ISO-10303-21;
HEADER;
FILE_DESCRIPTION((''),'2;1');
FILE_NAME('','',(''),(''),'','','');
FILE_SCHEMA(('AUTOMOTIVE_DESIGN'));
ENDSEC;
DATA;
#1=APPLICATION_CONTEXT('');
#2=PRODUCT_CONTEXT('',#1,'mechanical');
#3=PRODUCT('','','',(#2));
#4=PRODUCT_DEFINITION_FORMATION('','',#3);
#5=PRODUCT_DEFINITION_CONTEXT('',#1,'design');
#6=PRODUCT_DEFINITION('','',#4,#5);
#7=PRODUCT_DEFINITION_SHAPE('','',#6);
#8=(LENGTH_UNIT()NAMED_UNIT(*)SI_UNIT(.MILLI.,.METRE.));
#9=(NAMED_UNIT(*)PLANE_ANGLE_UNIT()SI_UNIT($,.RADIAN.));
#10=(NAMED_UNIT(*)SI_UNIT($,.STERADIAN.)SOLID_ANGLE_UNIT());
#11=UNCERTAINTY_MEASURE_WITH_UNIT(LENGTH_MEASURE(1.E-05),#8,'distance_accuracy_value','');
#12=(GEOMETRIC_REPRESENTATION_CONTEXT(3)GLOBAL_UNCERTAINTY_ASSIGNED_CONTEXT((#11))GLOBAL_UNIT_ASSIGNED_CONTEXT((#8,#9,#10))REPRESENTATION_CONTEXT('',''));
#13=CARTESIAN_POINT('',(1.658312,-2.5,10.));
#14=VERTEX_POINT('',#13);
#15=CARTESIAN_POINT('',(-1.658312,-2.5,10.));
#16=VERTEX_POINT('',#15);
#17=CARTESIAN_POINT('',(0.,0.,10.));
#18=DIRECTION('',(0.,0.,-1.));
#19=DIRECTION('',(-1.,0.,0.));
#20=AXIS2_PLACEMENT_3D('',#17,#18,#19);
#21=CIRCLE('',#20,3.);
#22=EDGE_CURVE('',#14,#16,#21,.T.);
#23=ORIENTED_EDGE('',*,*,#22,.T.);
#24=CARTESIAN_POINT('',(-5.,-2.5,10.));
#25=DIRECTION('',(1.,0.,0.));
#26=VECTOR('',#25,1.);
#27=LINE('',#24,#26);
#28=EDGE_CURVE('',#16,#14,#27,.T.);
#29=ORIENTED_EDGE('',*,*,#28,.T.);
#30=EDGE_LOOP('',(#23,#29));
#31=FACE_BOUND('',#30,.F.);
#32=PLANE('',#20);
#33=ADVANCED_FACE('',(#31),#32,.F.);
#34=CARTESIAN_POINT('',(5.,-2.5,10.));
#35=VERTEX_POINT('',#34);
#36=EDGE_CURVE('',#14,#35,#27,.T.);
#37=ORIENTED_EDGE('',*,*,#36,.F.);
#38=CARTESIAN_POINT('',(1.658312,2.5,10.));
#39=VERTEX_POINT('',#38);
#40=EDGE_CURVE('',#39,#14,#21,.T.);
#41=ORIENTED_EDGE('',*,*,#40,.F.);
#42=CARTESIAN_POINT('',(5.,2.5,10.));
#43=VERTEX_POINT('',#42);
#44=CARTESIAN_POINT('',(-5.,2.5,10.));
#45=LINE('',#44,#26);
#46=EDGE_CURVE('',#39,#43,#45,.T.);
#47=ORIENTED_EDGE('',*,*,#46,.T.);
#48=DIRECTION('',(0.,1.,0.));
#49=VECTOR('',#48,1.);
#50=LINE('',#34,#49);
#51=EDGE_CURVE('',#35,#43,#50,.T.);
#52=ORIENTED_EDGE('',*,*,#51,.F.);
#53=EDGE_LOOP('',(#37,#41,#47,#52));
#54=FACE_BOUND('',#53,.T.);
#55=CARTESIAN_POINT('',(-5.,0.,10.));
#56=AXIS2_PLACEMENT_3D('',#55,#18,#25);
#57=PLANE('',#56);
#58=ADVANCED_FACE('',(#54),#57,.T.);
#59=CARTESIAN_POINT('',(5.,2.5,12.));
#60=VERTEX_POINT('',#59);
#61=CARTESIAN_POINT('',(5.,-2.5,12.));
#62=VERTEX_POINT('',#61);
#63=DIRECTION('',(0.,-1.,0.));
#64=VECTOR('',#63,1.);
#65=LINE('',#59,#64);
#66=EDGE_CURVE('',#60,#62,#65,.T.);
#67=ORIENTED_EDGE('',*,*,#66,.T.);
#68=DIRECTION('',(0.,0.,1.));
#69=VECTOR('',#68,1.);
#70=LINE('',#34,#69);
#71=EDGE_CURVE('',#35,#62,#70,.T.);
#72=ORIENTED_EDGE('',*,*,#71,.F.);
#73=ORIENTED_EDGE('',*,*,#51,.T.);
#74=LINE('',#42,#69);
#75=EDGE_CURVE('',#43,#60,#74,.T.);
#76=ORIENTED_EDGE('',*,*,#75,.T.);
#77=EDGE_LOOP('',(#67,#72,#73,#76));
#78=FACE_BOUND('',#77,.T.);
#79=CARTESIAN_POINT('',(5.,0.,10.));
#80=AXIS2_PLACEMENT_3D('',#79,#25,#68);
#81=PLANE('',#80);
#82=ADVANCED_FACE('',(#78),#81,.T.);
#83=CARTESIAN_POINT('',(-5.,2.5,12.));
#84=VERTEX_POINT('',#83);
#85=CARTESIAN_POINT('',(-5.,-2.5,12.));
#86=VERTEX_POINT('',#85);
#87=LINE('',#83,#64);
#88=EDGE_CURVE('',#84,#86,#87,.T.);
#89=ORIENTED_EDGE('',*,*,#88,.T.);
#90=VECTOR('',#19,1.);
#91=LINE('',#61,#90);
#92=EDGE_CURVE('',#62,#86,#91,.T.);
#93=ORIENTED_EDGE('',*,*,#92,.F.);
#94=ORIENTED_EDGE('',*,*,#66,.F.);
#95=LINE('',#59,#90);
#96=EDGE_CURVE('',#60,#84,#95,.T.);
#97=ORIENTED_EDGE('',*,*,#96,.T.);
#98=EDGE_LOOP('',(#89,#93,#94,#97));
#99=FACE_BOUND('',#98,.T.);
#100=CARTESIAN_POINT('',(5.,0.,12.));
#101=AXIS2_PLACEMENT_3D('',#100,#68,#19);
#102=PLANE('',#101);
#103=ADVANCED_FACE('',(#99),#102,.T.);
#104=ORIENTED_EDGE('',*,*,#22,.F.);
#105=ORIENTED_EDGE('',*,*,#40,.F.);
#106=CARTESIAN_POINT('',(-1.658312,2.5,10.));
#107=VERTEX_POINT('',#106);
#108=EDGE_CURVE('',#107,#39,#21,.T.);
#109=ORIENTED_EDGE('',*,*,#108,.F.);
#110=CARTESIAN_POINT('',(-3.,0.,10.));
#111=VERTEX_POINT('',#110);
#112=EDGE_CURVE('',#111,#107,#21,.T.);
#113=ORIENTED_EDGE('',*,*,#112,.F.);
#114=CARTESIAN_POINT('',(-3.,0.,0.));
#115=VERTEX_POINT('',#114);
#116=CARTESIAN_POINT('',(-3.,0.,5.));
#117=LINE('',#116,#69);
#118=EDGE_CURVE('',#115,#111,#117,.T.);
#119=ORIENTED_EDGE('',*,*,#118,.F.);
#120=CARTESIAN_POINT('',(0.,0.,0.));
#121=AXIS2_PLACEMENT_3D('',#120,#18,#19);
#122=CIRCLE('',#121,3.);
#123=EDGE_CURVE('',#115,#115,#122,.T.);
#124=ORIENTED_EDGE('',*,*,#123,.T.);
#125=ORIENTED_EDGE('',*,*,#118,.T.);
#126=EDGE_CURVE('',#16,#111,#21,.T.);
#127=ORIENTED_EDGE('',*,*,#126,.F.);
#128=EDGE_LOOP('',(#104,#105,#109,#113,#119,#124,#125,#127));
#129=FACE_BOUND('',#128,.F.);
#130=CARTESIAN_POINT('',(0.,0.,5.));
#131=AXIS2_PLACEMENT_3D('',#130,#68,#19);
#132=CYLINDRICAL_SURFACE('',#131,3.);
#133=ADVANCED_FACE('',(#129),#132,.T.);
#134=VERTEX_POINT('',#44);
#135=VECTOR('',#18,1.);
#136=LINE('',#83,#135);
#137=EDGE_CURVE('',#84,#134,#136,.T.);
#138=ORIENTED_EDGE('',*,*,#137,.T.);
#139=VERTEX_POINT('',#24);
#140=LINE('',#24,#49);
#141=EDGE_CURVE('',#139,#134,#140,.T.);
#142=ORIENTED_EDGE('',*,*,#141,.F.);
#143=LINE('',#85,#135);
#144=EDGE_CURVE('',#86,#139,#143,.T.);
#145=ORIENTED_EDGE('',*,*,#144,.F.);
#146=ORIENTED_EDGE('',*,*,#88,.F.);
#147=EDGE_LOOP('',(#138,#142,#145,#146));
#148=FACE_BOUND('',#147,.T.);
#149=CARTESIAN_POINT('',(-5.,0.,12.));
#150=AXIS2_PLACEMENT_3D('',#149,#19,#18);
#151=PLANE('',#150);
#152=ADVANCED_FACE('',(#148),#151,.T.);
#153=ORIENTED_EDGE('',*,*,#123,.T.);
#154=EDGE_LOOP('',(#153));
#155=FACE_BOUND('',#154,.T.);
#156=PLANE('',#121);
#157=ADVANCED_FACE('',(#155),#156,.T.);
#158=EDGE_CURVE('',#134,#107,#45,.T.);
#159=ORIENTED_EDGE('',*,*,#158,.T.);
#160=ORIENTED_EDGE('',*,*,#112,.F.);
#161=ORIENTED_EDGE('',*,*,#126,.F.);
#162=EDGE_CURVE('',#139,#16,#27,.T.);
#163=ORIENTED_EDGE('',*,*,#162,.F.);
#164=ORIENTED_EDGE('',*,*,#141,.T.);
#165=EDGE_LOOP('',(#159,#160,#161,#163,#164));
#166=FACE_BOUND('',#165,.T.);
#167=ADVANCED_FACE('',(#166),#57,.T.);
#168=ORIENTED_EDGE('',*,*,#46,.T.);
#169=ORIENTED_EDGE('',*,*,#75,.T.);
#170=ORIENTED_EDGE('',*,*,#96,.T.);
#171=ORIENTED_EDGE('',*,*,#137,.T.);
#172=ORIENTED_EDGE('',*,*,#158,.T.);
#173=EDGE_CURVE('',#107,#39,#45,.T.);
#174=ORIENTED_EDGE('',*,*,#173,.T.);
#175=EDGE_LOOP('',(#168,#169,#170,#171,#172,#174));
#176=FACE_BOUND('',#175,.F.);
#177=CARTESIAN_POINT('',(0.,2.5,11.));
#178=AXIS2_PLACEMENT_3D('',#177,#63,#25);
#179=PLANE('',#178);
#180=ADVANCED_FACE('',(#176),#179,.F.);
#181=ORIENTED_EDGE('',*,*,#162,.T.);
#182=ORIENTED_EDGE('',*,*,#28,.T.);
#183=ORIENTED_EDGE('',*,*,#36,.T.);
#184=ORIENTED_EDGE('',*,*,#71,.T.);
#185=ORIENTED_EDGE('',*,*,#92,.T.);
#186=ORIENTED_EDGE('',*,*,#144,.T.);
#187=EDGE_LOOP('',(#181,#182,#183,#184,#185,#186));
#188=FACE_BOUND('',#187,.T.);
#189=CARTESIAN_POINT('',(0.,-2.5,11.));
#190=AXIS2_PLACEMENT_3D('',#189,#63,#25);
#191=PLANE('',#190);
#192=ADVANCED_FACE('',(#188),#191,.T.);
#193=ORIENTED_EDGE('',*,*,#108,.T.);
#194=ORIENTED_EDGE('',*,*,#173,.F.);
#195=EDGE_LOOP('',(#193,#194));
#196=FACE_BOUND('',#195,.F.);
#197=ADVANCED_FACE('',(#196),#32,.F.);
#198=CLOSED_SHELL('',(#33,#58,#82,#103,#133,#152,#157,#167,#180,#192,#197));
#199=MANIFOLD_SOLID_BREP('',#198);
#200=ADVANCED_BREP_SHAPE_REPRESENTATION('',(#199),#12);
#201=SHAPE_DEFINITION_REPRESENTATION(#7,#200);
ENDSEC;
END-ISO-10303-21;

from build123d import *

# Parameters (mm, degrees)
F0_W     = 3
F0_H     = 10
F2_DEPTH = 2.5


with BuildPart() as f1:
    # F0 (on Front) → F1 (revolve)
    with BuildSketch(Plane.XZ):
        with Locations((-1.5, 5)):
            Rectangle(F0_W, F0_H)
    revolve(axis=Axis((0, 0, 5), (0, 0, -1)))

    # F0 (on Front) → F2 (join, symmetric)
    with BuildSketch(Plane.XZ):
        Polygon((0, 10), (3, 10), (5, 10), (5, 12), (-5, 12), (-5, 10), (-3, 10), align=None)
    extrude(amount=F2_DEPTH, both=True)


solid = f1.part
